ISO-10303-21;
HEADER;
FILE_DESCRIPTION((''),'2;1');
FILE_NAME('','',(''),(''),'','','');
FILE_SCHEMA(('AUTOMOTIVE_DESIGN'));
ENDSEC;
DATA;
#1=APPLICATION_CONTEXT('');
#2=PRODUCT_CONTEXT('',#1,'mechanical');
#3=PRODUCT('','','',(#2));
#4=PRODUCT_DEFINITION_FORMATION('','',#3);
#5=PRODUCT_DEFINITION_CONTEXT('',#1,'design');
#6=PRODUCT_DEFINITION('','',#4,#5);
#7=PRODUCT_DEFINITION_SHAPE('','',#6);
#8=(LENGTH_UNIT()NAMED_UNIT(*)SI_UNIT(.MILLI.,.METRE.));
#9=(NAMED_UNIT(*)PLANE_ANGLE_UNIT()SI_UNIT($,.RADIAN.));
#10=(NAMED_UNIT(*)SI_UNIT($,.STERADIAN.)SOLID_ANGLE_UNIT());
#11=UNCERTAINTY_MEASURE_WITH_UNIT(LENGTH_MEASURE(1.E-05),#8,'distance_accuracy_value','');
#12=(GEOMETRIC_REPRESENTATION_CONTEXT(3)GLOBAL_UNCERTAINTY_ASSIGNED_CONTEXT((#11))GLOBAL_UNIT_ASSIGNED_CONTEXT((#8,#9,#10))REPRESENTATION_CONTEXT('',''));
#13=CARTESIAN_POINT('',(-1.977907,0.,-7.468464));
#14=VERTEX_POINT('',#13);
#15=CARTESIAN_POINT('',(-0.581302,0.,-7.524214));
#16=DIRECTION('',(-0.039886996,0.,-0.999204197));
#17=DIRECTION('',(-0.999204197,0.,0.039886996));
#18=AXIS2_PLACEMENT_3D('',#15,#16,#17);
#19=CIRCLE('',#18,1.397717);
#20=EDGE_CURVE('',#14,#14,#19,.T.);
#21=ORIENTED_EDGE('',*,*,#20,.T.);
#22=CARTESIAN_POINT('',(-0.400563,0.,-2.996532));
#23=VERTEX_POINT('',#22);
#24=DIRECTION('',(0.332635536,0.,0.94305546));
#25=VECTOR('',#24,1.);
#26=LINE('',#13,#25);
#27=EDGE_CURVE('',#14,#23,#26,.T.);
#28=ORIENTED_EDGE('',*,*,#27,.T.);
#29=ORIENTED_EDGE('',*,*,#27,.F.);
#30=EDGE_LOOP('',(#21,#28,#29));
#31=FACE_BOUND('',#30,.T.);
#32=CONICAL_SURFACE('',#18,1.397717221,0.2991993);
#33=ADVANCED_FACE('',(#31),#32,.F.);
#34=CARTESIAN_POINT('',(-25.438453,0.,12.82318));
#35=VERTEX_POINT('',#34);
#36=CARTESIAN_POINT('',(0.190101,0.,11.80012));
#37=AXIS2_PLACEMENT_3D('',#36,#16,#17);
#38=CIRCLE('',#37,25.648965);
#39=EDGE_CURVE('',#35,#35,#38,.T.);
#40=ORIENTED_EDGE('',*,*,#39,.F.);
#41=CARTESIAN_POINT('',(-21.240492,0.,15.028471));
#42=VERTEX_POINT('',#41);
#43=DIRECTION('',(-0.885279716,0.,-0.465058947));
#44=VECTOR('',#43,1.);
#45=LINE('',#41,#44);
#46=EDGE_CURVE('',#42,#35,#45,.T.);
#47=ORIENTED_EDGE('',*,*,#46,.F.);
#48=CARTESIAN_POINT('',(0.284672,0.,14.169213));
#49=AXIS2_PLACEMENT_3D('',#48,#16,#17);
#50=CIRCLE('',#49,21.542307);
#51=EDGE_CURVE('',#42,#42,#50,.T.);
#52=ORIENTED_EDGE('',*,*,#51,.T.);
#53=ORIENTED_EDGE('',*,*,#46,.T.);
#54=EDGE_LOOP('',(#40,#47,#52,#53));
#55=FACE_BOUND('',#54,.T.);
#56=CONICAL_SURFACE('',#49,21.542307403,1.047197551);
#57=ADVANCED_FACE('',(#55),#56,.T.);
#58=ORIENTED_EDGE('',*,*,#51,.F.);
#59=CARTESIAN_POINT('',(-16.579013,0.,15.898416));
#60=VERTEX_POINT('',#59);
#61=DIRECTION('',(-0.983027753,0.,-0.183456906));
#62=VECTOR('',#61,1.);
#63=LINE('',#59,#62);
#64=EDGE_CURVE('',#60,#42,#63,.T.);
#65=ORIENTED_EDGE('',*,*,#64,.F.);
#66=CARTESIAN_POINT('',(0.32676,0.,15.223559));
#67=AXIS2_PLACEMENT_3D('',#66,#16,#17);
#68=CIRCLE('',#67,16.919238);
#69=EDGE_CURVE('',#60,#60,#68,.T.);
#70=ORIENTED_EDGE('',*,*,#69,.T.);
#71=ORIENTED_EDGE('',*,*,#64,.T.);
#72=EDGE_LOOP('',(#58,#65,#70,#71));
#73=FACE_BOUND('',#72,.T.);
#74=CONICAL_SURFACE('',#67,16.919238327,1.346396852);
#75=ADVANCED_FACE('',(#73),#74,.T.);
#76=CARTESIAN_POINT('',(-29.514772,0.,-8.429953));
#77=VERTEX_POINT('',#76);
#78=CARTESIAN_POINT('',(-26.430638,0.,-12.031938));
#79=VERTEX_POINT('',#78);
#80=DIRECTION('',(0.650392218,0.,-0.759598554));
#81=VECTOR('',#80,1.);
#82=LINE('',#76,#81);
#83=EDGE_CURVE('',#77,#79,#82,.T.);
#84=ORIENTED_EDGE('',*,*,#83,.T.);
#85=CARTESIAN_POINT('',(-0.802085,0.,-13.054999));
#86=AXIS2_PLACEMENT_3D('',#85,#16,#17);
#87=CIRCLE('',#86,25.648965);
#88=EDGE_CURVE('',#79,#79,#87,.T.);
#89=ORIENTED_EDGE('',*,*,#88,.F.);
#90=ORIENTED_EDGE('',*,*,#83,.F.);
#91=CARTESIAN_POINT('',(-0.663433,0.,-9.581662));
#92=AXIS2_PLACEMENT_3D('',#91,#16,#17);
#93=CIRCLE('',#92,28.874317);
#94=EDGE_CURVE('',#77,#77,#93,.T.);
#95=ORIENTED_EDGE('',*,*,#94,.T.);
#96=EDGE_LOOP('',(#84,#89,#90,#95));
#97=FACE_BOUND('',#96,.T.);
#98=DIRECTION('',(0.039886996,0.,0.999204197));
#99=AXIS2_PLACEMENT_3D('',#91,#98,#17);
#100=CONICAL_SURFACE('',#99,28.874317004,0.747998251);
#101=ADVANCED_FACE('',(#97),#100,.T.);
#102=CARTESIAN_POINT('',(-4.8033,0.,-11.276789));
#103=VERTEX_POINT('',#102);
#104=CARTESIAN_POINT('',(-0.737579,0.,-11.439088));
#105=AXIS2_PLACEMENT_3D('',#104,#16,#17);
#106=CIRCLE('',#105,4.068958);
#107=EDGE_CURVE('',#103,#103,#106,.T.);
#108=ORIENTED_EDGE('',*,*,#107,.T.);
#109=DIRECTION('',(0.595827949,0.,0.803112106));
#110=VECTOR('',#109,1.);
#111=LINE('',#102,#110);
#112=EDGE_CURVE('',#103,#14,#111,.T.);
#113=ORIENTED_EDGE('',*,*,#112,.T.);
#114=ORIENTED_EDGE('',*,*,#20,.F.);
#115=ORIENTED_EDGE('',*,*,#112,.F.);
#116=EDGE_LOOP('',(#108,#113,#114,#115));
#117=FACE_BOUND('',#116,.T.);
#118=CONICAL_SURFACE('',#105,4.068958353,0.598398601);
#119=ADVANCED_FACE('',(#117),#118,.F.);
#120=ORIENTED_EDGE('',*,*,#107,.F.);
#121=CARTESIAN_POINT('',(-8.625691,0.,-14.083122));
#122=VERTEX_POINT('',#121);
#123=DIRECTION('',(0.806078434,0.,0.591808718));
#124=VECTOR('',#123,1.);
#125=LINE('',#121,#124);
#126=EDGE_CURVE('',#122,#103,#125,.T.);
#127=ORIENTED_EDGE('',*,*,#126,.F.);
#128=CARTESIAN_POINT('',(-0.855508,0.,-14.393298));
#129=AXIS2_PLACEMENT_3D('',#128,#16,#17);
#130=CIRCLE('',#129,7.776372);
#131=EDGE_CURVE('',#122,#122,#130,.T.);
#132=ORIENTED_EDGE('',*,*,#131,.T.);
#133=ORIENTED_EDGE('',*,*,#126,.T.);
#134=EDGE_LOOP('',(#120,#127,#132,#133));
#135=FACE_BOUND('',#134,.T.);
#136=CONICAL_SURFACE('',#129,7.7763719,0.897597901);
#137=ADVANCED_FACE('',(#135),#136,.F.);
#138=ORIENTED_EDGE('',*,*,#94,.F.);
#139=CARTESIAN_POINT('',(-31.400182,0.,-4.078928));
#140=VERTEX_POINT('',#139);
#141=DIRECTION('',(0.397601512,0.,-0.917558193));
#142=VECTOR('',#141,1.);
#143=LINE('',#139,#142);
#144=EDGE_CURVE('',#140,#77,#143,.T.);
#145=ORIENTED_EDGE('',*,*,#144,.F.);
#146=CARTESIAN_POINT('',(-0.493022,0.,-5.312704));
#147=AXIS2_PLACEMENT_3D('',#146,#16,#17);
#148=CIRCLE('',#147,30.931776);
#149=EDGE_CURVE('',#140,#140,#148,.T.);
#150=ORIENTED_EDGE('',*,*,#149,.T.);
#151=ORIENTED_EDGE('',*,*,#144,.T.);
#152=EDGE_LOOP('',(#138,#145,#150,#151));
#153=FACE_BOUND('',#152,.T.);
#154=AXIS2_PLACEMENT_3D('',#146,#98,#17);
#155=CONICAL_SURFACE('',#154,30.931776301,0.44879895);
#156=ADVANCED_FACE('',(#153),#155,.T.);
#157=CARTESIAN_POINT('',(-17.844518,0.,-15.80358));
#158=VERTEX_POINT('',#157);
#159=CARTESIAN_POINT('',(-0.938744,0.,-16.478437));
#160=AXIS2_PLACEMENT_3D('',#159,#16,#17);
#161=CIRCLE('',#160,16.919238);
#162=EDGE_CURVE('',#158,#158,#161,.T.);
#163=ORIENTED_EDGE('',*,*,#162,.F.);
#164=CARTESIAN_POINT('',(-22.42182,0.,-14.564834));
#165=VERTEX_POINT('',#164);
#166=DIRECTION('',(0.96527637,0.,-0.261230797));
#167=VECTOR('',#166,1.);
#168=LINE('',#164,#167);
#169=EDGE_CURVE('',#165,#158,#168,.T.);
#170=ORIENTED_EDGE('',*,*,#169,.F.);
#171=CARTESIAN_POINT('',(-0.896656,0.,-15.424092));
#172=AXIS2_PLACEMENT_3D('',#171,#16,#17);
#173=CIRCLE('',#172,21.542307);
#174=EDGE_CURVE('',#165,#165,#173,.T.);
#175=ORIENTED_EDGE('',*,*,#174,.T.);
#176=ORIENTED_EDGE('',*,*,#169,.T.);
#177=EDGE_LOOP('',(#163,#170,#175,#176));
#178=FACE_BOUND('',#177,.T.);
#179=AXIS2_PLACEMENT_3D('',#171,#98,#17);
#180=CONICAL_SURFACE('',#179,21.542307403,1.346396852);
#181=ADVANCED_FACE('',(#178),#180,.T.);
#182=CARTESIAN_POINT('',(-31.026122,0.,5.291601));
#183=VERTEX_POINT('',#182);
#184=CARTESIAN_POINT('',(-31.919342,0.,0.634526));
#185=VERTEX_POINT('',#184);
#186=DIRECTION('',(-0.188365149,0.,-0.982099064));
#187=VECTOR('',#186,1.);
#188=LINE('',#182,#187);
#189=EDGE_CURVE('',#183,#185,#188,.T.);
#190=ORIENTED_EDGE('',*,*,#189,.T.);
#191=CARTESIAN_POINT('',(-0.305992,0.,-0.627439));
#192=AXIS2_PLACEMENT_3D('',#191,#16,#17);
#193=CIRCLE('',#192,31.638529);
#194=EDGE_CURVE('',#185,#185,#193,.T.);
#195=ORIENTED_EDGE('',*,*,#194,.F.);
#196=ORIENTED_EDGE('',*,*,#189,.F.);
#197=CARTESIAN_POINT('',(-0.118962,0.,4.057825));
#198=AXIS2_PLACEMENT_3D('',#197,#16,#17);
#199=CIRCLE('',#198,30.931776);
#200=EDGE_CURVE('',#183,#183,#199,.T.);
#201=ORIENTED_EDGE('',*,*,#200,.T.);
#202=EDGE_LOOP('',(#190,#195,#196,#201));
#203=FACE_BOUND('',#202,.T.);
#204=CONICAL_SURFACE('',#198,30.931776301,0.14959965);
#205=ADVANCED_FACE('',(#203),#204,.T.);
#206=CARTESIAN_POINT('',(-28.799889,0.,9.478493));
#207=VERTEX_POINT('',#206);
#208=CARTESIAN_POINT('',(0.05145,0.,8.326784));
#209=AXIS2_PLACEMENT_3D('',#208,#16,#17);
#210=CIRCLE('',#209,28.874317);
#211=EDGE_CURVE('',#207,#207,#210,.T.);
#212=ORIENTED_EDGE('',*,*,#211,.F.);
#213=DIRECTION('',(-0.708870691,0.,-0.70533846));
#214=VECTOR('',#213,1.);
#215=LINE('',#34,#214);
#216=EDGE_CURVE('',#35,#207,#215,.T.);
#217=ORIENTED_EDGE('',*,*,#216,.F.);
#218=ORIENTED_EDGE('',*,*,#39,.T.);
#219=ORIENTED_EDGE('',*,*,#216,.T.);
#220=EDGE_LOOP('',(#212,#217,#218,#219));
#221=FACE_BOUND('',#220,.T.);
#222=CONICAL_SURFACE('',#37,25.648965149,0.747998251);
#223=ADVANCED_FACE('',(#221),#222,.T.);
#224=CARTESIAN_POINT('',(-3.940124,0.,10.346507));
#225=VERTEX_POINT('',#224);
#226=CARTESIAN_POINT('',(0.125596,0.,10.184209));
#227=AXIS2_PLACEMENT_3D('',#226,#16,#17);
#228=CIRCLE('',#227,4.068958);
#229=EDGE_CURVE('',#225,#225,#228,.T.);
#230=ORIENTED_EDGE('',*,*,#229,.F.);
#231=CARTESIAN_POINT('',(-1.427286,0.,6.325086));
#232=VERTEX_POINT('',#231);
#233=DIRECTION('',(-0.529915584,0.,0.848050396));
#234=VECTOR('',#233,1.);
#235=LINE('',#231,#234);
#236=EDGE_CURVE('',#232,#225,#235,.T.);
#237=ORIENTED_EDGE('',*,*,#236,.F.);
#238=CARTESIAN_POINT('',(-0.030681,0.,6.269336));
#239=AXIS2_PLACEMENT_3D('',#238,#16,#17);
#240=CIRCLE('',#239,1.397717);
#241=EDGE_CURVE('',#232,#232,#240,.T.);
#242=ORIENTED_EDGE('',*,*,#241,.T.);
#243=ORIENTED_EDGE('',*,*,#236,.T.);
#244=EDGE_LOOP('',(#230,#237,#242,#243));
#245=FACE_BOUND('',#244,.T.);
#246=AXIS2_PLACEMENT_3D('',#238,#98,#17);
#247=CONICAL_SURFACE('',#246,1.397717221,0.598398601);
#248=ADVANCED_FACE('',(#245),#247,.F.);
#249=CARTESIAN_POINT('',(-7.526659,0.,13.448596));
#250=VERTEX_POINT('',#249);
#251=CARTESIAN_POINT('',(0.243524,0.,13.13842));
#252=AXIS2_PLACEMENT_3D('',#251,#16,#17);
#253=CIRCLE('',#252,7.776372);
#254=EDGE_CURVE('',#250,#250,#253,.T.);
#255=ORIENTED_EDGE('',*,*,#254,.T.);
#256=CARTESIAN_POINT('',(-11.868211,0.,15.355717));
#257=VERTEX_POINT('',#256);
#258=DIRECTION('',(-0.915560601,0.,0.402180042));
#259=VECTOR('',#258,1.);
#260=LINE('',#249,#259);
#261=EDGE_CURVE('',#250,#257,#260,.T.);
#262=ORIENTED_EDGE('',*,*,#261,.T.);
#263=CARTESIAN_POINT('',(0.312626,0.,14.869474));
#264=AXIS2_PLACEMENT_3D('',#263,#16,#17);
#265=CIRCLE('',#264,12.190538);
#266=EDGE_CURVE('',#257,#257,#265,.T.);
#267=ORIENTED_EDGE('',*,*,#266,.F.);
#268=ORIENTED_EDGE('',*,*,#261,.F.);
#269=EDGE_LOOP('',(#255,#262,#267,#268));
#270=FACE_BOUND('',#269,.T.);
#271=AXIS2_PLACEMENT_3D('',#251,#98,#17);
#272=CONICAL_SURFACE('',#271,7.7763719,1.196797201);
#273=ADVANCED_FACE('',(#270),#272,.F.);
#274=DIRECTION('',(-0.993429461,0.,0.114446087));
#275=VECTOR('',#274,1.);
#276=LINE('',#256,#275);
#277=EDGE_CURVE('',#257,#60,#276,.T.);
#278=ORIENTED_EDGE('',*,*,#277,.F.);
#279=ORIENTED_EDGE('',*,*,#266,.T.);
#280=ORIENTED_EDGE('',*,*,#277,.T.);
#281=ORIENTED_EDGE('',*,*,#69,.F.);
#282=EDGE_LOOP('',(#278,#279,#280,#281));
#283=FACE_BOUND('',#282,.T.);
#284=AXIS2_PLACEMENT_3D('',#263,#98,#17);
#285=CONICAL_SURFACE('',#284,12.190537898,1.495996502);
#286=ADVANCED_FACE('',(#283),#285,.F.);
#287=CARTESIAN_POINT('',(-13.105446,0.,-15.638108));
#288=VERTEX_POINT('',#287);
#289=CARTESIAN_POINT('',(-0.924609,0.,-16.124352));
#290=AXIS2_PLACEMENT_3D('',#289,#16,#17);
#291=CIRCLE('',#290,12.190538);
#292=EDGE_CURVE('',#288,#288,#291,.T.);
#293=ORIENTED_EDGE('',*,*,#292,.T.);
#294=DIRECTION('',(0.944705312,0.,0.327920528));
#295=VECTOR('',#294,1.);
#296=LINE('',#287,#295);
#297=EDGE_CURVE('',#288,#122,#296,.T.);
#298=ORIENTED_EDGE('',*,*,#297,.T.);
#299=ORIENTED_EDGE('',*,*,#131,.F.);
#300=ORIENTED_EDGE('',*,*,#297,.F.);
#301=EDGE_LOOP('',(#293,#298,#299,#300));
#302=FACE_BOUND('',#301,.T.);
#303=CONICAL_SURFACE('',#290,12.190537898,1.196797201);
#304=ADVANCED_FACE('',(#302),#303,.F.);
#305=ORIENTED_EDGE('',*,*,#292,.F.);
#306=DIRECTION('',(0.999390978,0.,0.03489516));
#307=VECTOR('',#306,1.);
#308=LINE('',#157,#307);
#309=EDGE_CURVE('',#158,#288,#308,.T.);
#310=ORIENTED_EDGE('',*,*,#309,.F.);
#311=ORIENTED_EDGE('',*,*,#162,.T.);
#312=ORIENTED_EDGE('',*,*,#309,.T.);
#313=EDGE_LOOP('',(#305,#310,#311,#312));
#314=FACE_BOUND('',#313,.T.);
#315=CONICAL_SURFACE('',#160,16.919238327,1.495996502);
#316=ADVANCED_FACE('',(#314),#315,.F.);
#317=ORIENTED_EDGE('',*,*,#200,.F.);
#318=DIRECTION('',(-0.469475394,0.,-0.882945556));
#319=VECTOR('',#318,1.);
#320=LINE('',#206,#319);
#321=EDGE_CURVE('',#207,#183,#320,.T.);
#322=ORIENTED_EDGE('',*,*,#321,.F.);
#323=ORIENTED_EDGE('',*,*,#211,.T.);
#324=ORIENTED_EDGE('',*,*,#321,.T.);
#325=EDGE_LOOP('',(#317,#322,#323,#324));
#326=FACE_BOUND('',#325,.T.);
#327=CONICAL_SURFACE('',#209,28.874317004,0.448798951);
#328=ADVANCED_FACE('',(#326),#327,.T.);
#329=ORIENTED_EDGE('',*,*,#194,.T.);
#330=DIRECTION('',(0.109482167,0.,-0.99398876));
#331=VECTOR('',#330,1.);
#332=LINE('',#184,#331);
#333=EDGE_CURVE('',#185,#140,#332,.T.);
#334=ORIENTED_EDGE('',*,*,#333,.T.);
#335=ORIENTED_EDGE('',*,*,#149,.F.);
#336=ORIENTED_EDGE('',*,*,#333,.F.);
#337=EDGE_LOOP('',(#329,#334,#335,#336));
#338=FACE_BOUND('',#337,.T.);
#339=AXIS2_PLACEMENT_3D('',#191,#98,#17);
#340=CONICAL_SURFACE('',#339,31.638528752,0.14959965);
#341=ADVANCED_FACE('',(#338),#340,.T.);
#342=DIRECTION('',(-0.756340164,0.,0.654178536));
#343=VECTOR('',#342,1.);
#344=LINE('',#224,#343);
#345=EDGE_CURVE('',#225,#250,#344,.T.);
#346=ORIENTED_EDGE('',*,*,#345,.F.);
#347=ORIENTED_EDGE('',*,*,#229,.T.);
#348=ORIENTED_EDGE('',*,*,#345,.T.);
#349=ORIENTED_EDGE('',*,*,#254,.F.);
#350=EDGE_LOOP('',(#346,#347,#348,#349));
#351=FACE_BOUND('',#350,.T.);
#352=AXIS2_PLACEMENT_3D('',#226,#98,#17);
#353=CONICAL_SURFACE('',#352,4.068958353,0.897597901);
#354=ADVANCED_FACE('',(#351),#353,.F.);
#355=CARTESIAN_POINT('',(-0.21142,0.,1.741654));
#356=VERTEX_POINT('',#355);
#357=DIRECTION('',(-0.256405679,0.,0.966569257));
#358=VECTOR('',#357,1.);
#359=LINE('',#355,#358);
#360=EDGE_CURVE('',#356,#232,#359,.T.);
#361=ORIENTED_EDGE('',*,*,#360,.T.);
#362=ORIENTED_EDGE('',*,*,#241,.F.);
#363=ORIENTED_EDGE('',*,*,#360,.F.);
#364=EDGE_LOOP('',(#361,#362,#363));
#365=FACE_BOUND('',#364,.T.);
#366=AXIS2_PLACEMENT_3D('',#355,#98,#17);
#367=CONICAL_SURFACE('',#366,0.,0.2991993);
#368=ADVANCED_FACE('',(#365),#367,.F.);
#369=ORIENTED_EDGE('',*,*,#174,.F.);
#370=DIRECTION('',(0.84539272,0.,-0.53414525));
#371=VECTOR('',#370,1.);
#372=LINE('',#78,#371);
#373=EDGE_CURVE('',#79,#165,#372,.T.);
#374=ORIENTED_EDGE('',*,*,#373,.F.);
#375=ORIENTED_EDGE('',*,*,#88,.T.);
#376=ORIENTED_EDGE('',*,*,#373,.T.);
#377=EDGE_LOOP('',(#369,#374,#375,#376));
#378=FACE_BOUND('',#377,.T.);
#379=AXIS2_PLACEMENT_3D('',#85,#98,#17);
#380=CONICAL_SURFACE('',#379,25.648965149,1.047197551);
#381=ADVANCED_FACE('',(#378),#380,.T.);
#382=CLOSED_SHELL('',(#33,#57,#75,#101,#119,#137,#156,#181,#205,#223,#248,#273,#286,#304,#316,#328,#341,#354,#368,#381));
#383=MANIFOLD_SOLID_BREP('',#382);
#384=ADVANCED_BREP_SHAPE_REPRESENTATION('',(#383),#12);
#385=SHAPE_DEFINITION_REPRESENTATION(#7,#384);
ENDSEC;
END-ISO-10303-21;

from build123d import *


with BuildPart() as f1:
    # F0 (on Front) → F1 (revolve)
    with BuildSketch(Plane.XZ):
        Polygon((-22.4218197928, -14.5648337765), (-17.8445179422, -15.8035797411), (-13.105445987, -15.6381082928), (-8.6256912676, -14.083122296), (-4.8032996498, -11.2767890804), (-1.9779074032, -7.4684636676), (-0.400563028, -2.9965324832), (-0.2114204938, 1.7416537625), (-1.427285945, 6.3250864282), (-3.9401244004, 10.3465074076), (-7.5266591359, 13.4485957989), (-11.868210801, 15.3557174353), (-16.5790134776, 15.8984161901), (-21.240491675, 15.0284708974), (-25.4384525986, 12.8231800141), (-28.7998889981, 9.4784933129), (-31.0261224978, 5.2916008852), (-31.9193424817, 0.6345264971), (-31.4001824344, -4.0789283549), (-29.5147720044, -8.4299525225), (-26.4306381823, -12.0319384142), align=None)
    revolve(axis=Axis((-0.3059917609, 0, -0.6274393604), (-0.0398869956, 0, -0.9992041971)))


solid = f1.part
